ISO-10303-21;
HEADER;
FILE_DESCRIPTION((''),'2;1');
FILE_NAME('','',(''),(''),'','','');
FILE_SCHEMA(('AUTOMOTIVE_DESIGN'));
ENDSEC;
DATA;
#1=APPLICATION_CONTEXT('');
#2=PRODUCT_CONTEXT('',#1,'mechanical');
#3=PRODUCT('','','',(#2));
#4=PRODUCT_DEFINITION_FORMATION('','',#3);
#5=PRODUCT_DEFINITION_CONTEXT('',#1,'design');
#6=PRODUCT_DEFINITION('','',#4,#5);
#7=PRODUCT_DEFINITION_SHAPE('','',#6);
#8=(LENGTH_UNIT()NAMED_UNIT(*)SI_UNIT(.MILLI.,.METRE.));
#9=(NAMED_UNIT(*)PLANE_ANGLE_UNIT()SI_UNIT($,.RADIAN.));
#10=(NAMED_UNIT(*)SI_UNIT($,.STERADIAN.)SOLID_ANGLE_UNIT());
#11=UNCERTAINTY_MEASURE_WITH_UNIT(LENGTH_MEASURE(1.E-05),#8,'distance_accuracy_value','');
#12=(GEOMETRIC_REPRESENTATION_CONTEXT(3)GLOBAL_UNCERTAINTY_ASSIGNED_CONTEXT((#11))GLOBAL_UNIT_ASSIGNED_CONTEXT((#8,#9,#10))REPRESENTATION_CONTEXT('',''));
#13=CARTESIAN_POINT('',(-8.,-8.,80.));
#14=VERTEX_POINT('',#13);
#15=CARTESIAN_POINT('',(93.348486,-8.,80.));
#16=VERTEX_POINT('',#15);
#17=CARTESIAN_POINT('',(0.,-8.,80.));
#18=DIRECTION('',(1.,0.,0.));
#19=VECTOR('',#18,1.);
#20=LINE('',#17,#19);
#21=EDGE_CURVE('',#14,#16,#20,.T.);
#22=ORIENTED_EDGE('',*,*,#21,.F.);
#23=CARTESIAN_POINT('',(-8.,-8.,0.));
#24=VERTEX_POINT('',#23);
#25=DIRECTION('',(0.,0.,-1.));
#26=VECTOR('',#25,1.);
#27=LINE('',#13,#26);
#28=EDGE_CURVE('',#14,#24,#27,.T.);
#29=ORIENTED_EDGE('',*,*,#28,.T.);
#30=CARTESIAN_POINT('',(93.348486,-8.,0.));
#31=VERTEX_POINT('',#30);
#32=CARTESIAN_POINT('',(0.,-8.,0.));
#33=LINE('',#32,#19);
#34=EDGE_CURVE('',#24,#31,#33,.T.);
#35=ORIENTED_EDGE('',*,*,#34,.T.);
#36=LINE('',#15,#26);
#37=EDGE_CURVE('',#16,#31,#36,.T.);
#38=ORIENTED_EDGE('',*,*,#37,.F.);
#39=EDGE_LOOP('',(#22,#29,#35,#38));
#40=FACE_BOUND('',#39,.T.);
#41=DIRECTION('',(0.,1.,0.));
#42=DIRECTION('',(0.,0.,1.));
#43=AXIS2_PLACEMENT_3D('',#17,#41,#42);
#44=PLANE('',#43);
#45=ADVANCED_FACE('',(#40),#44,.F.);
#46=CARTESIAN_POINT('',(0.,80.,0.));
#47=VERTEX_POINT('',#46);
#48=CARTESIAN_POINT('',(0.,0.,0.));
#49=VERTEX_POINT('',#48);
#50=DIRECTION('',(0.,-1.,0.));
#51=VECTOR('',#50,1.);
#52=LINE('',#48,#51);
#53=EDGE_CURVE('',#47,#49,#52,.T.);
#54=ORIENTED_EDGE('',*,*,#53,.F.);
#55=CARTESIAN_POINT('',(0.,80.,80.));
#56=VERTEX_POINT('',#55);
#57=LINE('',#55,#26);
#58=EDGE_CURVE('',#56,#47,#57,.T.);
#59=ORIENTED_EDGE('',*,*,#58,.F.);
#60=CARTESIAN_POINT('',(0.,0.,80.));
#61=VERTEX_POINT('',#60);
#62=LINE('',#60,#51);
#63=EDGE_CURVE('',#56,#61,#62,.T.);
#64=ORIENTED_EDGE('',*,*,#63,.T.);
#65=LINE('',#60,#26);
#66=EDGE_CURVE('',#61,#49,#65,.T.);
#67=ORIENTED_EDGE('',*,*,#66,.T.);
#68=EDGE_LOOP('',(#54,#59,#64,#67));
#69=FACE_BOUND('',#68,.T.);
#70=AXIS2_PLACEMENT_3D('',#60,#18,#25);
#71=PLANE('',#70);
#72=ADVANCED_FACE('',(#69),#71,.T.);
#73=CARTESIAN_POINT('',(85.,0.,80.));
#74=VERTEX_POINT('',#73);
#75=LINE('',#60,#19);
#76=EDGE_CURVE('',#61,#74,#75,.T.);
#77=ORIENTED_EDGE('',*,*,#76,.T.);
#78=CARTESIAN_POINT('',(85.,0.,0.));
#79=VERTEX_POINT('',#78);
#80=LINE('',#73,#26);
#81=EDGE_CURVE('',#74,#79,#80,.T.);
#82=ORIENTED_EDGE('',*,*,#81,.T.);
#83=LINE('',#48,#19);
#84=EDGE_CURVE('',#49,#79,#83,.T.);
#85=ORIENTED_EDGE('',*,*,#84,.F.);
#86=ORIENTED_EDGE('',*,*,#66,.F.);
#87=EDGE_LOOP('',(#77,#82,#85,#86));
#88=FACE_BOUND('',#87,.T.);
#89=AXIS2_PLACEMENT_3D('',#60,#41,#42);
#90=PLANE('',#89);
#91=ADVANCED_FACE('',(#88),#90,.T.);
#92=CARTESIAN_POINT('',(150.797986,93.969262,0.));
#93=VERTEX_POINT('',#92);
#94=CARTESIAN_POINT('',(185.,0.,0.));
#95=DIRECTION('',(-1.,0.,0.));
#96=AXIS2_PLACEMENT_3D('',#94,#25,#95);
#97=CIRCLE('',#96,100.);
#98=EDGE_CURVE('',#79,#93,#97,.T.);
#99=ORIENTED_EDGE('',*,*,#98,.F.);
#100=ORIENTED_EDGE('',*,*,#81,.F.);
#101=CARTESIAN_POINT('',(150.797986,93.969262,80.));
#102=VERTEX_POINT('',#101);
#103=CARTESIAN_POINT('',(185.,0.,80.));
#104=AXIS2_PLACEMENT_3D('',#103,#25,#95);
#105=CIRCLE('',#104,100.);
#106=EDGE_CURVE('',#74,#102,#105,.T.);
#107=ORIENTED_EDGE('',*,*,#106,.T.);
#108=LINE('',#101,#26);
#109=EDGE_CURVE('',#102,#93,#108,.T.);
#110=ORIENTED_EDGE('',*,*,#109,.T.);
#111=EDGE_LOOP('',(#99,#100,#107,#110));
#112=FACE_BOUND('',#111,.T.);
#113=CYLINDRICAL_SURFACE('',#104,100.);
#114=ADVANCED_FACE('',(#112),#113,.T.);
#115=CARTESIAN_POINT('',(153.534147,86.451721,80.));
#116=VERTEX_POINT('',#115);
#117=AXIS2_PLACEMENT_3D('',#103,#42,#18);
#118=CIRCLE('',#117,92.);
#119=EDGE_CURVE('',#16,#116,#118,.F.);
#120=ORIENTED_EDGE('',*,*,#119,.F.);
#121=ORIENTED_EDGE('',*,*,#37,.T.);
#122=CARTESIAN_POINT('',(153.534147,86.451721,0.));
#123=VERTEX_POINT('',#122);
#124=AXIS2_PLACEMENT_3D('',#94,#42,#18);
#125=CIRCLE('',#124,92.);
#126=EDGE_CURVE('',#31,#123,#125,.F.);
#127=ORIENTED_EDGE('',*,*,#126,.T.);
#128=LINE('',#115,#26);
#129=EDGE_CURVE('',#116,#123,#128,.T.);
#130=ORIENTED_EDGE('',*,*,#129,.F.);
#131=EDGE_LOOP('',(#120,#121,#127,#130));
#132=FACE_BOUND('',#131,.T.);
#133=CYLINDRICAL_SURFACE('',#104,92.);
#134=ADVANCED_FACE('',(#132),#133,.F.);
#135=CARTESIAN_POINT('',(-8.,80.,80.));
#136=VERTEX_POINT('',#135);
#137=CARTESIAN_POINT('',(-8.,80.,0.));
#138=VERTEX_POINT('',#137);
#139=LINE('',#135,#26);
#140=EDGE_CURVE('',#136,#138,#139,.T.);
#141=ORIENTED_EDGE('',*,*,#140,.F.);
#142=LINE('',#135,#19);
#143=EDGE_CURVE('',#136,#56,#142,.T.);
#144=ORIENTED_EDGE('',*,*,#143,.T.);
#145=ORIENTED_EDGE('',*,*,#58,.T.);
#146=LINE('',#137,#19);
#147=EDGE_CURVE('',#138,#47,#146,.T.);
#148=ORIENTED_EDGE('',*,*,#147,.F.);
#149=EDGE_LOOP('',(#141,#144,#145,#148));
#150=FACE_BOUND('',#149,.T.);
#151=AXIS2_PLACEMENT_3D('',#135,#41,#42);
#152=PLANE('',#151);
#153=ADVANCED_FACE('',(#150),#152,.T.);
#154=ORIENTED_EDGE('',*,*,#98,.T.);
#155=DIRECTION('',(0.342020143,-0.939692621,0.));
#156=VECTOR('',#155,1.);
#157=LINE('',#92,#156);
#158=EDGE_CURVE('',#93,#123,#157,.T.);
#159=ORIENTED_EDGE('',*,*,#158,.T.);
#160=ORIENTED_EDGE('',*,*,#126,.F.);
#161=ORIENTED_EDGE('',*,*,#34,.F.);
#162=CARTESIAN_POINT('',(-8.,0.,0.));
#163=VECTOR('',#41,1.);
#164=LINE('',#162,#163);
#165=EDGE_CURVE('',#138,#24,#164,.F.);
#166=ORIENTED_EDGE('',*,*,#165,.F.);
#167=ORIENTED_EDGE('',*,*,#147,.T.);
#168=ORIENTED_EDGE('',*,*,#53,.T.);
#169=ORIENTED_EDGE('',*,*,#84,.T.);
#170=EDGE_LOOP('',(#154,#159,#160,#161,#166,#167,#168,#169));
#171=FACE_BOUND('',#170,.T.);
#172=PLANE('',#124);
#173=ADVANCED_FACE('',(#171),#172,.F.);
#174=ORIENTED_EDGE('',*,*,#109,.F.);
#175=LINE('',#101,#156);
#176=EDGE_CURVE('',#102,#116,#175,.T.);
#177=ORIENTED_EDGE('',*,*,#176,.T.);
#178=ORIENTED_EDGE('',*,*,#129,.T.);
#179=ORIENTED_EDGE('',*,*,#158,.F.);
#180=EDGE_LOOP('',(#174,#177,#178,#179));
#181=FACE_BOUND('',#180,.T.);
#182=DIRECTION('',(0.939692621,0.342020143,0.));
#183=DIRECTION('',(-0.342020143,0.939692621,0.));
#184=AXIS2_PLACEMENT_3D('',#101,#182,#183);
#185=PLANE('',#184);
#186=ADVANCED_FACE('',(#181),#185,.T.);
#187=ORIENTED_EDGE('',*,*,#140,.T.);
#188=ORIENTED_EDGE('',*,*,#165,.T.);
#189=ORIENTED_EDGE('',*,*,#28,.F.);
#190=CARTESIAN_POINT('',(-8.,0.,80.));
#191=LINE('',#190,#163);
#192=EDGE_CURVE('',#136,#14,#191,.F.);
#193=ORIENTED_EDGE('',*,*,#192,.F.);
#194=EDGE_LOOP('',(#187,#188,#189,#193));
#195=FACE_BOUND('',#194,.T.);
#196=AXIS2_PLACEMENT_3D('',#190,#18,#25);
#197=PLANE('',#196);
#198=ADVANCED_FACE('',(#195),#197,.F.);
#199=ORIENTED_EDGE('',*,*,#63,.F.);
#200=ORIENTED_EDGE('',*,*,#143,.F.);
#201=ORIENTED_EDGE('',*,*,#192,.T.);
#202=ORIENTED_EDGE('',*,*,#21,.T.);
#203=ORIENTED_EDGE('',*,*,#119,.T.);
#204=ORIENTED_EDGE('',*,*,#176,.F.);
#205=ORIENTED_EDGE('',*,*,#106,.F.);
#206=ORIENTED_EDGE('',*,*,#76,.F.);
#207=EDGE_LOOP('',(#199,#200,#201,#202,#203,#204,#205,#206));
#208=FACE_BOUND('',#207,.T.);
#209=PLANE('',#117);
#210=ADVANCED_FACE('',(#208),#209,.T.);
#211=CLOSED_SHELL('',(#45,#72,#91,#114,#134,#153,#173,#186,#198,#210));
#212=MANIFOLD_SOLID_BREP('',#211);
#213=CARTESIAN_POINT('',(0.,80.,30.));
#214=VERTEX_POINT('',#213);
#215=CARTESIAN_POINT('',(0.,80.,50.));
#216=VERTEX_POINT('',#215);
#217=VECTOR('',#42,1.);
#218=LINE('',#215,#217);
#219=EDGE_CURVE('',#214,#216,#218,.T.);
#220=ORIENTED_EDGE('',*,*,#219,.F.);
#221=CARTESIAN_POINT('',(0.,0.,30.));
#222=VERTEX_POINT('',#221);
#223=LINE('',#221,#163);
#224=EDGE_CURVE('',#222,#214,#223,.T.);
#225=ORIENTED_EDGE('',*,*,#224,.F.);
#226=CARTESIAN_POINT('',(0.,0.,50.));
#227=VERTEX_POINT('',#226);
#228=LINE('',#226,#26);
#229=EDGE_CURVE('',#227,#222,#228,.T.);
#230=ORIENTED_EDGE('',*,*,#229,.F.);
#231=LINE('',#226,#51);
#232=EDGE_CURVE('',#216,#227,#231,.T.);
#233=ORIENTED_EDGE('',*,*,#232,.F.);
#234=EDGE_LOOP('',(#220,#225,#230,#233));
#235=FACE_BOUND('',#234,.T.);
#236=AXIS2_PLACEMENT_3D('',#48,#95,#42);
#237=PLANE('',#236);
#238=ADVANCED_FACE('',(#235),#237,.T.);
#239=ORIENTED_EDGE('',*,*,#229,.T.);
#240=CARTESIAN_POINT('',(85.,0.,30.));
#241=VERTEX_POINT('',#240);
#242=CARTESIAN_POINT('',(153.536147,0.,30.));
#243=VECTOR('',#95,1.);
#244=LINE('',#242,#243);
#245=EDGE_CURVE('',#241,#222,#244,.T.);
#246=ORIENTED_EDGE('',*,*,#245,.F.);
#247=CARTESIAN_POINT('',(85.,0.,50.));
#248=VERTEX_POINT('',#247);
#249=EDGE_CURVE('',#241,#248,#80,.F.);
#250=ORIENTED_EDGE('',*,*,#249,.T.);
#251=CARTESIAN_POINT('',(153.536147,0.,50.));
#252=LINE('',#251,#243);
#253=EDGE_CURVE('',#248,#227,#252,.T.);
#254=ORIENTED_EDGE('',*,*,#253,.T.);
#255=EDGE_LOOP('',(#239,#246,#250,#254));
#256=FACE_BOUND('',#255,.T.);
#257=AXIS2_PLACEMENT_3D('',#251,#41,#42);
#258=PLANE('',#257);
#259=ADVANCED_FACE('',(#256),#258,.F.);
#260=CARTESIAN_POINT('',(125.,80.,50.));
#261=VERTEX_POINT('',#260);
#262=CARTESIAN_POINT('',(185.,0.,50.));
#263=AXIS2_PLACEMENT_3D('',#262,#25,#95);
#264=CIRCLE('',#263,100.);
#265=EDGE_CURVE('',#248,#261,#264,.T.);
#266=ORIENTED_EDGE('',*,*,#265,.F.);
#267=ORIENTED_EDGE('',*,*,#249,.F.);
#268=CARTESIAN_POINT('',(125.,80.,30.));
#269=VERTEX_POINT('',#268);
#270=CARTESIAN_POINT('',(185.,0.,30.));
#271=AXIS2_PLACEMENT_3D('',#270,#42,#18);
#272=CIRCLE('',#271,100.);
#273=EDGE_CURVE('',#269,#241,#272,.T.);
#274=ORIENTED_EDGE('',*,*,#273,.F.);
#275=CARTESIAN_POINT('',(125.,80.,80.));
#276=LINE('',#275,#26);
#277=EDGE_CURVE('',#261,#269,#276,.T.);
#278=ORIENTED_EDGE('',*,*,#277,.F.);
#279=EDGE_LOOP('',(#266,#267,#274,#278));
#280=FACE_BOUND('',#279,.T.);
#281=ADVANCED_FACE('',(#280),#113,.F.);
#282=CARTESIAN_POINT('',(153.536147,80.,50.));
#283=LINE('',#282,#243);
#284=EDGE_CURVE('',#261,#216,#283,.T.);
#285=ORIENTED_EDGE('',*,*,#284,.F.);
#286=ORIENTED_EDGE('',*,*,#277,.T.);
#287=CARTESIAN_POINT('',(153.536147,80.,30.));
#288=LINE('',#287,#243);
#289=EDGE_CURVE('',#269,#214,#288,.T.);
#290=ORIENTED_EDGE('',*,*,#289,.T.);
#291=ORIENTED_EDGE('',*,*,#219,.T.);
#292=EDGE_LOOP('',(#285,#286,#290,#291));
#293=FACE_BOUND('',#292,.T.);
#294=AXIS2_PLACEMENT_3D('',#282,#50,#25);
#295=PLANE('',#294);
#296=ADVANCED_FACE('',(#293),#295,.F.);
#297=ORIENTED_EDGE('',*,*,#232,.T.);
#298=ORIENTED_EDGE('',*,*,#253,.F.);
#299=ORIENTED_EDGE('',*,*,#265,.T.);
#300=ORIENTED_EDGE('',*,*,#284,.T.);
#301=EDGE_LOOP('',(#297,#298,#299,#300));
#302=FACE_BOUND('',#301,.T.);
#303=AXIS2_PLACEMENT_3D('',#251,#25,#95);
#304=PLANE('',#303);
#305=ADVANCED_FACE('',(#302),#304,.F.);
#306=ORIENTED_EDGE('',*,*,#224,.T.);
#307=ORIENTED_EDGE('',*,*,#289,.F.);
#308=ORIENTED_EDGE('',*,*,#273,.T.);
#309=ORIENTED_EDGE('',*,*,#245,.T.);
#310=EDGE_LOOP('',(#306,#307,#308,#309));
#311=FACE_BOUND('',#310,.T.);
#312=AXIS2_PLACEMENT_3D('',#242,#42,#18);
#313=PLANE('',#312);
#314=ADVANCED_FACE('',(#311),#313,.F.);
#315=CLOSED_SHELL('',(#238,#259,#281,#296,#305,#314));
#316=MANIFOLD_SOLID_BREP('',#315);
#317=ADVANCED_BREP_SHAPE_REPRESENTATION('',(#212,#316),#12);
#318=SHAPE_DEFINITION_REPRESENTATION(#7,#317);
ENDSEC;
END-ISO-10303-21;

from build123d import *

# Parameters (mm, degrees)
EXTRUDE_THIN1_DEPTH = 80
BOSS_EXTRUDE2_REACH = 155.534
SKETCH2_W           = 20
SKETCH2_H           = 80


with BuildPart() as part:
    # Sketch1 → Extrude-Thin1 (new body)
    with BuildSketch(Plane.XY):
        with BuildLine():
            ThreePointArc((150.797985667, 93.969262079), (103.084795571, 57.357643635), (85, 0))
            Line((85, 0), (0, 0))
            Line((0, 0), (0, 80))
            Line((0, 80), (-8, 80))
            Line((-8, 80), (-8, -8))
            Line((-8, -8), (93.348486101, -8))
            ThreePointArc((93.348486101, -8), (107.412930041, 49.439322156), (153.534146814, 86.451721112))
            Line((153.534146814, 86.451721112), (150.797985667, 93.969262079))
        make_face()
    extrude(amount=EXTRUDE_THIN1_DEPTH)


with BuildPart() as body_2:

    # Sketch2 → Boss-Extrude2 (new body, up to next)
    with BuildSketch(Plane(origin=(0, 0, 0), x_dir=(0, 0, -1), z_dir=(1, 0, 0)), mode=Mode.PRIVATE) as boss_extrude2_sk1:
        with Locations((-40, 40)):
            Rectangle(SKETCH2_W, SKETCH2_H)
    boss_extrude2_tool1 = extrude(boss_extrude2_sk1.sketch, amount=BOSS_EXTRUDE2_REACH, mode=Mode.PRIVATE) - part.part
    add(boss_extrude2_tool1.solids().sort_by_distance((0, 40, 40))[0])


solid = Compound([part.part, body_2.part])
